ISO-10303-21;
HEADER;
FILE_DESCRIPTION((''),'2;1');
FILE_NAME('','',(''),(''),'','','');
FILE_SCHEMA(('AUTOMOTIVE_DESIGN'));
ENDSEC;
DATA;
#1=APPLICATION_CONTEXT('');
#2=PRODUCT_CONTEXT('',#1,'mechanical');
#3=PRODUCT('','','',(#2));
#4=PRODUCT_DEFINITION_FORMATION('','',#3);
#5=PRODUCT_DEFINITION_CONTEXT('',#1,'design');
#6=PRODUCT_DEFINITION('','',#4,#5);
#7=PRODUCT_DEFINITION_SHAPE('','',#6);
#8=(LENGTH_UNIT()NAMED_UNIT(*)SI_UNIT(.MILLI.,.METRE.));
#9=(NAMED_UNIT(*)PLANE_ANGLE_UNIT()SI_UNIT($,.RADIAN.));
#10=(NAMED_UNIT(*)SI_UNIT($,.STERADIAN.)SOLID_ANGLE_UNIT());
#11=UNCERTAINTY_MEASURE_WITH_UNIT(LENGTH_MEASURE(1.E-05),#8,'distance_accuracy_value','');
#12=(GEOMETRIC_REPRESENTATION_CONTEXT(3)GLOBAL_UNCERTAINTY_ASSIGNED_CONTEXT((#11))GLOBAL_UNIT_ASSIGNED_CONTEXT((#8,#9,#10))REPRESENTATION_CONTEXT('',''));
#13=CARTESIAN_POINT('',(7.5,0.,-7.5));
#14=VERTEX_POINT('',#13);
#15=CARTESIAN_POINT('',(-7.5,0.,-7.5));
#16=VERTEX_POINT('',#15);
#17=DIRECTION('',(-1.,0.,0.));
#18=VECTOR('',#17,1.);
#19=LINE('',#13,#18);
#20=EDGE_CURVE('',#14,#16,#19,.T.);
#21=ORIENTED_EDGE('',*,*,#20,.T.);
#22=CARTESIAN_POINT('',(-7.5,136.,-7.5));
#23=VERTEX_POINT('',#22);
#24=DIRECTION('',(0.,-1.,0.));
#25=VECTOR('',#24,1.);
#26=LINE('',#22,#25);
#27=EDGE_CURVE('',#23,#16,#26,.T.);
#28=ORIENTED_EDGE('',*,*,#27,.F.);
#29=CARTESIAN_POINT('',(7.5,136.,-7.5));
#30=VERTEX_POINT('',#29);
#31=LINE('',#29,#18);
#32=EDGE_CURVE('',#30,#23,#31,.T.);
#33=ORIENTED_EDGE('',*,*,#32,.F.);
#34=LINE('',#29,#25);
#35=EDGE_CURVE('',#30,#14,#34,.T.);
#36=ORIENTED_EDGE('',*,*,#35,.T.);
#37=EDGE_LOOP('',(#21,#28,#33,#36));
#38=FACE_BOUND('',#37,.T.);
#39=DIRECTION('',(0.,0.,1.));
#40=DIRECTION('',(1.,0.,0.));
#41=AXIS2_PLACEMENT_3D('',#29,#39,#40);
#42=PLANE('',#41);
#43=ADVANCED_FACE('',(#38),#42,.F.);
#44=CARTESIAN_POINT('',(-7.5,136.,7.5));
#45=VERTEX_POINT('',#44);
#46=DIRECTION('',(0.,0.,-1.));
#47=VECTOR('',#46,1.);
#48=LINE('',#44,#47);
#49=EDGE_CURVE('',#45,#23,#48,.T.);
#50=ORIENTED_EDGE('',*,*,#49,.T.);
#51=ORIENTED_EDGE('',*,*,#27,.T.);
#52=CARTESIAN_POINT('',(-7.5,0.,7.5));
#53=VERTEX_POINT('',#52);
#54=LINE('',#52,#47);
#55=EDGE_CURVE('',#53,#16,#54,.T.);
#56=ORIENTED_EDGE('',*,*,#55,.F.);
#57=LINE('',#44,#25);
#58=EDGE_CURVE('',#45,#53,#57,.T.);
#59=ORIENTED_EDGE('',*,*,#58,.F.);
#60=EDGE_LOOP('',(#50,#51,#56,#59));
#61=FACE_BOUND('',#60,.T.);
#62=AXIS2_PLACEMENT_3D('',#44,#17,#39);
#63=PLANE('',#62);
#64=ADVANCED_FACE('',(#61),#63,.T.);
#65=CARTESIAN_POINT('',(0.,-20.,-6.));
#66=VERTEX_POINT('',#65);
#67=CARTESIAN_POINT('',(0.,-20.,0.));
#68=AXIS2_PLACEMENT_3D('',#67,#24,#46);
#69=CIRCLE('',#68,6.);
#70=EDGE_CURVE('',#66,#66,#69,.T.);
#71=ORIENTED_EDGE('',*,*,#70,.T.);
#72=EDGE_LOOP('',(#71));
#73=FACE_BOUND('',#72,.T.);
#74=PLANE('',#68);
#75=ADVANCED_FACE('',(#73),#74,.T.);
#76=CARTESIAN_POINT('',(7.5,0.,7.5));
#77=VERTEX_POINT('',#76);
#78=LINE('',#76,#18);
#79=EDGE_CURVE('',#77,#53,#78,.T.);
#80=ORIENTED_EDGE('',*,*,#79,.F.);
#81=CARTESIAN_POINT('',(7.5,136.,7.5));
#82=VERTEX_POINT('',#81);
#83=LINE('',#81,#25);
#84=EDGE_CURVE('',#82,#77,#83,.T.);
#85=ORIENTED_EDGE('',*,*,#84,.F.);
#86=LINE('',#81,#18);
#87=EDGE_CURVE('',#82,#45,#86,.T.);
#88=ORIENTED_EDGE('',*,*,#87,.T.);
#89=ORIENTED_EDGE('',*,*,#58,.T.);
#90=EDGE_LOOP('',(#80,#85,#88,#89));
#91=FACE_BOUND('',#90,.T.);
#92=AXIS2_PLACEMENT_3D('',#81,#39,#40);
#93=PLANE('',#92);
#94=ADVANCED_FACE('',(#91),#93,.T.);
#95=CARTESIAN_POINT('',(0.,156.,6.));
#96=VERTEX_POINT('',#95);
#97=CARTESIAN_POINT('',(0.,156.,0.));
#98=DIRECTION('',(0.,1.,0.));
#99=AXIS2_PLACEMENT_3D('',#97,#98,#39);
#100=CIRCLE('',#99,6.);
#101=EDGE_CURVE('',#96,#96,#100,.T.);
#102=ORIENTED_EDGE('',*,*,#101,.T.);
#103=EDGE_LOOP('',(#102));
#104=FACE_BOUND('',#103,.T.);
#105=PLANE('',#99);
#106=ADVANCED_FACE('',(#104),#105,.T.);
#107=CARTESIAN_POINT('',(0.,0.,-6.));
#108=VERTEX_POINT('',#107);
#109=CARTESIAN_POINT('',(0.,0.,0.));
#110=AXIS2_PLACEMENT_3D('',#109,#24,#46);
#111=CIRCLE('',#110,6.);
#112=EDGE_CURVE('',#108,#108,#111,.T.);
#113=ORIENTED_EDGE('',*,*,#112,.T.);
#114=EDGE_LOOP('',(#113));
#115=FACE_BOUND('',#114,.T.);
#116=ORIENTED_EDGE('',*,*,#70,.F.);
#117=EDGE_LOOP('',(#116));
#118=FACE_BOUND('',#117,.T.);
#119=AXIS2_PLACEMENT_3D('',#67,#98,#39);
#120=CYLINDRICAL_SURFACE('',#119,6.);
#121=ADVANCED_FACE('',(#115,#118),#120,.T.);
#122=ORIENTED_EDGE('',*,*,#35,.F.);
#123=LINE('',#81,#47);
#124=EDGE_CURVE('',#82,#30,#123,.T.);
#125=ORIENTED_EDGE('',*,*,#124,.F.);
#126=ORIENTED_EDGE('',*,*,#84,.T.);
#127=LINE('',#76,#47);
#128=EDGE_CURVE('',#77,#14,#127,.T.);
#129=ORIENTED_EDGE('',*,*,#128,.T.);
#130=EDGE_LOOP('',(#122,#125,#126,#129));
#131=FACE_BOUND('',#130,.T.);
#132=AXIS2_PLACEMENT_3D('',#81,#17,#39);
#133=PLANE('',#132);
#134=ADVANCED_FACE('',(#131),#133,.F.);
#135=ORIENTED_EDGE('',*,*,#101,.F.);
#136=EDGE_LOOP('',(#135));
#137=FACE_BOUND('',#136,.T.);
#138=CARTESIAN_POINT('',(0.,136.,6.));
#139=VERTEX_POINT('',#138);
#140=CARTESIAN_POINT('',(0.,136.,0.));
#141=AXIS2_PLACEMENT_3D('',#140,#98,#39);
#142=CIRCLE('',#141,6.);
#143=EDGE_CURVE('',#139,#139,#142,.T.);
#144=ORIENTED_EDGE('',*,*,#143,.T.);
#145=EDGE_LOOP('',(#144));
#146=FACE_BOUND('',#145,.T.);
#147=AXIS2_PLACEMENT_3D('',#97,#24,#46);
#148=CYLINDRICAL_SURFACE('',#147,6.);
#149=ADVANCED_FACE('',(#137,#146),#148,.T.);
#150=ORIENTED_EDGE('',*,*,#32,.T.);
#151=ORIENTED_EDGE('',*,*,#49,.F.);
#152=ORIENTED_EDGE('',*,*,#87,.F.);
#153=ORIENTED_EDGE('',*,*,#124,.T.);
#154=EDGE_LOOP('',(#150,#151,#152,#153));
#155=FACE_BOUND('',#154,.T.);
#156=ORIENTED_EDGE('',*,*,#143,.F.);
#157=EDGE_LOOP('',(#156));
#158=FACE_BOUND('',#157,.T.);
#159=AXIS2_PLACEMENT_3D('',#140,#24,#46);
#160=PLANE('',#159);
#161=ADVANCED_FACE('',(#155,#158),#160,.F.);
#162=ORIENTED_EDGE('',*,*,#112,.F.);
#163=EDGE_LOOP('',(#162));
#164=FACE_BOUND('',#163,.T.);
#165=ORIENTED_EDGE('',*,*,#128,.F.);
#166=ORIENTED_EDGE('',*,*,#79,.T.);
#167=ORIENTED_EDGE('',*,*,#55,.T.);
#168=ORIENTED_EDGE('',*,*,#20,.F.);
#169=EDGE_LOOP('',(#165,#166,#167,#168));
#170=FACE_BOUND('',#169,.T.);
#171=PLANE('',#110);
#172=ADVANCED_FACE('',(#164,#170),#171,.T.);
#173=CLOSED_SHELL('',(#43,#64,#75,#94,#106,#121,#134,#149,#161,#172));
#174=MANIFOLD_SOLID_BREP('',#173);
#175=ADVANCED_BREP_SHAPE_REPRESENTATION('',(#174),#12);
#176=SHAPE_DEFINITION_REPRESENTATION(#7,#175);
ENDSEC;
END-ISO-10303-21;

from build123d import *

# Parameters (mm, degrees)
SKETCH_1_W      = 15
SKETCH_1_H      = 15
EXTRUDE_1_DEPTH = 136
SKETCH_2_R      = 6
EXTRUDE_2_DEPTH = 20
SKETCH_3_R      = 6
EXTRUDE_3_DEPTH = 20


with BuildPart() as part:
    # 草图1 → 凸台-拉伸1 (new body)
    with BuildSketch(Plane(origin=(0, 0, 0), x_dir=(1, 0, 0), z_dir=(0, 1, 0))):
        Rectangle(SKETCH_1_W, SKETCH_1_H)
    extrude(amount=EXTRUDE_1_DEPTH)

    # 草图2 → 凸台-拉伸2 (add)
    with BuildSketch(Plane(origin=(0, 136, 0), x_dir=(1, 0, 0), z_dir=(0, 1, 0))):
        Circle(SKETCH_2_R)
    extrude(amount=EXTRUDE_2_DEPTH)

    # 草图3 → 凸台-拉伸3 (add)
    with BuildSketch(Plane.XZ):
        Circle(SKETCH_3_R)
    extrude(amount=EXTRUDE_3_DEPTH)


solid = part.part
